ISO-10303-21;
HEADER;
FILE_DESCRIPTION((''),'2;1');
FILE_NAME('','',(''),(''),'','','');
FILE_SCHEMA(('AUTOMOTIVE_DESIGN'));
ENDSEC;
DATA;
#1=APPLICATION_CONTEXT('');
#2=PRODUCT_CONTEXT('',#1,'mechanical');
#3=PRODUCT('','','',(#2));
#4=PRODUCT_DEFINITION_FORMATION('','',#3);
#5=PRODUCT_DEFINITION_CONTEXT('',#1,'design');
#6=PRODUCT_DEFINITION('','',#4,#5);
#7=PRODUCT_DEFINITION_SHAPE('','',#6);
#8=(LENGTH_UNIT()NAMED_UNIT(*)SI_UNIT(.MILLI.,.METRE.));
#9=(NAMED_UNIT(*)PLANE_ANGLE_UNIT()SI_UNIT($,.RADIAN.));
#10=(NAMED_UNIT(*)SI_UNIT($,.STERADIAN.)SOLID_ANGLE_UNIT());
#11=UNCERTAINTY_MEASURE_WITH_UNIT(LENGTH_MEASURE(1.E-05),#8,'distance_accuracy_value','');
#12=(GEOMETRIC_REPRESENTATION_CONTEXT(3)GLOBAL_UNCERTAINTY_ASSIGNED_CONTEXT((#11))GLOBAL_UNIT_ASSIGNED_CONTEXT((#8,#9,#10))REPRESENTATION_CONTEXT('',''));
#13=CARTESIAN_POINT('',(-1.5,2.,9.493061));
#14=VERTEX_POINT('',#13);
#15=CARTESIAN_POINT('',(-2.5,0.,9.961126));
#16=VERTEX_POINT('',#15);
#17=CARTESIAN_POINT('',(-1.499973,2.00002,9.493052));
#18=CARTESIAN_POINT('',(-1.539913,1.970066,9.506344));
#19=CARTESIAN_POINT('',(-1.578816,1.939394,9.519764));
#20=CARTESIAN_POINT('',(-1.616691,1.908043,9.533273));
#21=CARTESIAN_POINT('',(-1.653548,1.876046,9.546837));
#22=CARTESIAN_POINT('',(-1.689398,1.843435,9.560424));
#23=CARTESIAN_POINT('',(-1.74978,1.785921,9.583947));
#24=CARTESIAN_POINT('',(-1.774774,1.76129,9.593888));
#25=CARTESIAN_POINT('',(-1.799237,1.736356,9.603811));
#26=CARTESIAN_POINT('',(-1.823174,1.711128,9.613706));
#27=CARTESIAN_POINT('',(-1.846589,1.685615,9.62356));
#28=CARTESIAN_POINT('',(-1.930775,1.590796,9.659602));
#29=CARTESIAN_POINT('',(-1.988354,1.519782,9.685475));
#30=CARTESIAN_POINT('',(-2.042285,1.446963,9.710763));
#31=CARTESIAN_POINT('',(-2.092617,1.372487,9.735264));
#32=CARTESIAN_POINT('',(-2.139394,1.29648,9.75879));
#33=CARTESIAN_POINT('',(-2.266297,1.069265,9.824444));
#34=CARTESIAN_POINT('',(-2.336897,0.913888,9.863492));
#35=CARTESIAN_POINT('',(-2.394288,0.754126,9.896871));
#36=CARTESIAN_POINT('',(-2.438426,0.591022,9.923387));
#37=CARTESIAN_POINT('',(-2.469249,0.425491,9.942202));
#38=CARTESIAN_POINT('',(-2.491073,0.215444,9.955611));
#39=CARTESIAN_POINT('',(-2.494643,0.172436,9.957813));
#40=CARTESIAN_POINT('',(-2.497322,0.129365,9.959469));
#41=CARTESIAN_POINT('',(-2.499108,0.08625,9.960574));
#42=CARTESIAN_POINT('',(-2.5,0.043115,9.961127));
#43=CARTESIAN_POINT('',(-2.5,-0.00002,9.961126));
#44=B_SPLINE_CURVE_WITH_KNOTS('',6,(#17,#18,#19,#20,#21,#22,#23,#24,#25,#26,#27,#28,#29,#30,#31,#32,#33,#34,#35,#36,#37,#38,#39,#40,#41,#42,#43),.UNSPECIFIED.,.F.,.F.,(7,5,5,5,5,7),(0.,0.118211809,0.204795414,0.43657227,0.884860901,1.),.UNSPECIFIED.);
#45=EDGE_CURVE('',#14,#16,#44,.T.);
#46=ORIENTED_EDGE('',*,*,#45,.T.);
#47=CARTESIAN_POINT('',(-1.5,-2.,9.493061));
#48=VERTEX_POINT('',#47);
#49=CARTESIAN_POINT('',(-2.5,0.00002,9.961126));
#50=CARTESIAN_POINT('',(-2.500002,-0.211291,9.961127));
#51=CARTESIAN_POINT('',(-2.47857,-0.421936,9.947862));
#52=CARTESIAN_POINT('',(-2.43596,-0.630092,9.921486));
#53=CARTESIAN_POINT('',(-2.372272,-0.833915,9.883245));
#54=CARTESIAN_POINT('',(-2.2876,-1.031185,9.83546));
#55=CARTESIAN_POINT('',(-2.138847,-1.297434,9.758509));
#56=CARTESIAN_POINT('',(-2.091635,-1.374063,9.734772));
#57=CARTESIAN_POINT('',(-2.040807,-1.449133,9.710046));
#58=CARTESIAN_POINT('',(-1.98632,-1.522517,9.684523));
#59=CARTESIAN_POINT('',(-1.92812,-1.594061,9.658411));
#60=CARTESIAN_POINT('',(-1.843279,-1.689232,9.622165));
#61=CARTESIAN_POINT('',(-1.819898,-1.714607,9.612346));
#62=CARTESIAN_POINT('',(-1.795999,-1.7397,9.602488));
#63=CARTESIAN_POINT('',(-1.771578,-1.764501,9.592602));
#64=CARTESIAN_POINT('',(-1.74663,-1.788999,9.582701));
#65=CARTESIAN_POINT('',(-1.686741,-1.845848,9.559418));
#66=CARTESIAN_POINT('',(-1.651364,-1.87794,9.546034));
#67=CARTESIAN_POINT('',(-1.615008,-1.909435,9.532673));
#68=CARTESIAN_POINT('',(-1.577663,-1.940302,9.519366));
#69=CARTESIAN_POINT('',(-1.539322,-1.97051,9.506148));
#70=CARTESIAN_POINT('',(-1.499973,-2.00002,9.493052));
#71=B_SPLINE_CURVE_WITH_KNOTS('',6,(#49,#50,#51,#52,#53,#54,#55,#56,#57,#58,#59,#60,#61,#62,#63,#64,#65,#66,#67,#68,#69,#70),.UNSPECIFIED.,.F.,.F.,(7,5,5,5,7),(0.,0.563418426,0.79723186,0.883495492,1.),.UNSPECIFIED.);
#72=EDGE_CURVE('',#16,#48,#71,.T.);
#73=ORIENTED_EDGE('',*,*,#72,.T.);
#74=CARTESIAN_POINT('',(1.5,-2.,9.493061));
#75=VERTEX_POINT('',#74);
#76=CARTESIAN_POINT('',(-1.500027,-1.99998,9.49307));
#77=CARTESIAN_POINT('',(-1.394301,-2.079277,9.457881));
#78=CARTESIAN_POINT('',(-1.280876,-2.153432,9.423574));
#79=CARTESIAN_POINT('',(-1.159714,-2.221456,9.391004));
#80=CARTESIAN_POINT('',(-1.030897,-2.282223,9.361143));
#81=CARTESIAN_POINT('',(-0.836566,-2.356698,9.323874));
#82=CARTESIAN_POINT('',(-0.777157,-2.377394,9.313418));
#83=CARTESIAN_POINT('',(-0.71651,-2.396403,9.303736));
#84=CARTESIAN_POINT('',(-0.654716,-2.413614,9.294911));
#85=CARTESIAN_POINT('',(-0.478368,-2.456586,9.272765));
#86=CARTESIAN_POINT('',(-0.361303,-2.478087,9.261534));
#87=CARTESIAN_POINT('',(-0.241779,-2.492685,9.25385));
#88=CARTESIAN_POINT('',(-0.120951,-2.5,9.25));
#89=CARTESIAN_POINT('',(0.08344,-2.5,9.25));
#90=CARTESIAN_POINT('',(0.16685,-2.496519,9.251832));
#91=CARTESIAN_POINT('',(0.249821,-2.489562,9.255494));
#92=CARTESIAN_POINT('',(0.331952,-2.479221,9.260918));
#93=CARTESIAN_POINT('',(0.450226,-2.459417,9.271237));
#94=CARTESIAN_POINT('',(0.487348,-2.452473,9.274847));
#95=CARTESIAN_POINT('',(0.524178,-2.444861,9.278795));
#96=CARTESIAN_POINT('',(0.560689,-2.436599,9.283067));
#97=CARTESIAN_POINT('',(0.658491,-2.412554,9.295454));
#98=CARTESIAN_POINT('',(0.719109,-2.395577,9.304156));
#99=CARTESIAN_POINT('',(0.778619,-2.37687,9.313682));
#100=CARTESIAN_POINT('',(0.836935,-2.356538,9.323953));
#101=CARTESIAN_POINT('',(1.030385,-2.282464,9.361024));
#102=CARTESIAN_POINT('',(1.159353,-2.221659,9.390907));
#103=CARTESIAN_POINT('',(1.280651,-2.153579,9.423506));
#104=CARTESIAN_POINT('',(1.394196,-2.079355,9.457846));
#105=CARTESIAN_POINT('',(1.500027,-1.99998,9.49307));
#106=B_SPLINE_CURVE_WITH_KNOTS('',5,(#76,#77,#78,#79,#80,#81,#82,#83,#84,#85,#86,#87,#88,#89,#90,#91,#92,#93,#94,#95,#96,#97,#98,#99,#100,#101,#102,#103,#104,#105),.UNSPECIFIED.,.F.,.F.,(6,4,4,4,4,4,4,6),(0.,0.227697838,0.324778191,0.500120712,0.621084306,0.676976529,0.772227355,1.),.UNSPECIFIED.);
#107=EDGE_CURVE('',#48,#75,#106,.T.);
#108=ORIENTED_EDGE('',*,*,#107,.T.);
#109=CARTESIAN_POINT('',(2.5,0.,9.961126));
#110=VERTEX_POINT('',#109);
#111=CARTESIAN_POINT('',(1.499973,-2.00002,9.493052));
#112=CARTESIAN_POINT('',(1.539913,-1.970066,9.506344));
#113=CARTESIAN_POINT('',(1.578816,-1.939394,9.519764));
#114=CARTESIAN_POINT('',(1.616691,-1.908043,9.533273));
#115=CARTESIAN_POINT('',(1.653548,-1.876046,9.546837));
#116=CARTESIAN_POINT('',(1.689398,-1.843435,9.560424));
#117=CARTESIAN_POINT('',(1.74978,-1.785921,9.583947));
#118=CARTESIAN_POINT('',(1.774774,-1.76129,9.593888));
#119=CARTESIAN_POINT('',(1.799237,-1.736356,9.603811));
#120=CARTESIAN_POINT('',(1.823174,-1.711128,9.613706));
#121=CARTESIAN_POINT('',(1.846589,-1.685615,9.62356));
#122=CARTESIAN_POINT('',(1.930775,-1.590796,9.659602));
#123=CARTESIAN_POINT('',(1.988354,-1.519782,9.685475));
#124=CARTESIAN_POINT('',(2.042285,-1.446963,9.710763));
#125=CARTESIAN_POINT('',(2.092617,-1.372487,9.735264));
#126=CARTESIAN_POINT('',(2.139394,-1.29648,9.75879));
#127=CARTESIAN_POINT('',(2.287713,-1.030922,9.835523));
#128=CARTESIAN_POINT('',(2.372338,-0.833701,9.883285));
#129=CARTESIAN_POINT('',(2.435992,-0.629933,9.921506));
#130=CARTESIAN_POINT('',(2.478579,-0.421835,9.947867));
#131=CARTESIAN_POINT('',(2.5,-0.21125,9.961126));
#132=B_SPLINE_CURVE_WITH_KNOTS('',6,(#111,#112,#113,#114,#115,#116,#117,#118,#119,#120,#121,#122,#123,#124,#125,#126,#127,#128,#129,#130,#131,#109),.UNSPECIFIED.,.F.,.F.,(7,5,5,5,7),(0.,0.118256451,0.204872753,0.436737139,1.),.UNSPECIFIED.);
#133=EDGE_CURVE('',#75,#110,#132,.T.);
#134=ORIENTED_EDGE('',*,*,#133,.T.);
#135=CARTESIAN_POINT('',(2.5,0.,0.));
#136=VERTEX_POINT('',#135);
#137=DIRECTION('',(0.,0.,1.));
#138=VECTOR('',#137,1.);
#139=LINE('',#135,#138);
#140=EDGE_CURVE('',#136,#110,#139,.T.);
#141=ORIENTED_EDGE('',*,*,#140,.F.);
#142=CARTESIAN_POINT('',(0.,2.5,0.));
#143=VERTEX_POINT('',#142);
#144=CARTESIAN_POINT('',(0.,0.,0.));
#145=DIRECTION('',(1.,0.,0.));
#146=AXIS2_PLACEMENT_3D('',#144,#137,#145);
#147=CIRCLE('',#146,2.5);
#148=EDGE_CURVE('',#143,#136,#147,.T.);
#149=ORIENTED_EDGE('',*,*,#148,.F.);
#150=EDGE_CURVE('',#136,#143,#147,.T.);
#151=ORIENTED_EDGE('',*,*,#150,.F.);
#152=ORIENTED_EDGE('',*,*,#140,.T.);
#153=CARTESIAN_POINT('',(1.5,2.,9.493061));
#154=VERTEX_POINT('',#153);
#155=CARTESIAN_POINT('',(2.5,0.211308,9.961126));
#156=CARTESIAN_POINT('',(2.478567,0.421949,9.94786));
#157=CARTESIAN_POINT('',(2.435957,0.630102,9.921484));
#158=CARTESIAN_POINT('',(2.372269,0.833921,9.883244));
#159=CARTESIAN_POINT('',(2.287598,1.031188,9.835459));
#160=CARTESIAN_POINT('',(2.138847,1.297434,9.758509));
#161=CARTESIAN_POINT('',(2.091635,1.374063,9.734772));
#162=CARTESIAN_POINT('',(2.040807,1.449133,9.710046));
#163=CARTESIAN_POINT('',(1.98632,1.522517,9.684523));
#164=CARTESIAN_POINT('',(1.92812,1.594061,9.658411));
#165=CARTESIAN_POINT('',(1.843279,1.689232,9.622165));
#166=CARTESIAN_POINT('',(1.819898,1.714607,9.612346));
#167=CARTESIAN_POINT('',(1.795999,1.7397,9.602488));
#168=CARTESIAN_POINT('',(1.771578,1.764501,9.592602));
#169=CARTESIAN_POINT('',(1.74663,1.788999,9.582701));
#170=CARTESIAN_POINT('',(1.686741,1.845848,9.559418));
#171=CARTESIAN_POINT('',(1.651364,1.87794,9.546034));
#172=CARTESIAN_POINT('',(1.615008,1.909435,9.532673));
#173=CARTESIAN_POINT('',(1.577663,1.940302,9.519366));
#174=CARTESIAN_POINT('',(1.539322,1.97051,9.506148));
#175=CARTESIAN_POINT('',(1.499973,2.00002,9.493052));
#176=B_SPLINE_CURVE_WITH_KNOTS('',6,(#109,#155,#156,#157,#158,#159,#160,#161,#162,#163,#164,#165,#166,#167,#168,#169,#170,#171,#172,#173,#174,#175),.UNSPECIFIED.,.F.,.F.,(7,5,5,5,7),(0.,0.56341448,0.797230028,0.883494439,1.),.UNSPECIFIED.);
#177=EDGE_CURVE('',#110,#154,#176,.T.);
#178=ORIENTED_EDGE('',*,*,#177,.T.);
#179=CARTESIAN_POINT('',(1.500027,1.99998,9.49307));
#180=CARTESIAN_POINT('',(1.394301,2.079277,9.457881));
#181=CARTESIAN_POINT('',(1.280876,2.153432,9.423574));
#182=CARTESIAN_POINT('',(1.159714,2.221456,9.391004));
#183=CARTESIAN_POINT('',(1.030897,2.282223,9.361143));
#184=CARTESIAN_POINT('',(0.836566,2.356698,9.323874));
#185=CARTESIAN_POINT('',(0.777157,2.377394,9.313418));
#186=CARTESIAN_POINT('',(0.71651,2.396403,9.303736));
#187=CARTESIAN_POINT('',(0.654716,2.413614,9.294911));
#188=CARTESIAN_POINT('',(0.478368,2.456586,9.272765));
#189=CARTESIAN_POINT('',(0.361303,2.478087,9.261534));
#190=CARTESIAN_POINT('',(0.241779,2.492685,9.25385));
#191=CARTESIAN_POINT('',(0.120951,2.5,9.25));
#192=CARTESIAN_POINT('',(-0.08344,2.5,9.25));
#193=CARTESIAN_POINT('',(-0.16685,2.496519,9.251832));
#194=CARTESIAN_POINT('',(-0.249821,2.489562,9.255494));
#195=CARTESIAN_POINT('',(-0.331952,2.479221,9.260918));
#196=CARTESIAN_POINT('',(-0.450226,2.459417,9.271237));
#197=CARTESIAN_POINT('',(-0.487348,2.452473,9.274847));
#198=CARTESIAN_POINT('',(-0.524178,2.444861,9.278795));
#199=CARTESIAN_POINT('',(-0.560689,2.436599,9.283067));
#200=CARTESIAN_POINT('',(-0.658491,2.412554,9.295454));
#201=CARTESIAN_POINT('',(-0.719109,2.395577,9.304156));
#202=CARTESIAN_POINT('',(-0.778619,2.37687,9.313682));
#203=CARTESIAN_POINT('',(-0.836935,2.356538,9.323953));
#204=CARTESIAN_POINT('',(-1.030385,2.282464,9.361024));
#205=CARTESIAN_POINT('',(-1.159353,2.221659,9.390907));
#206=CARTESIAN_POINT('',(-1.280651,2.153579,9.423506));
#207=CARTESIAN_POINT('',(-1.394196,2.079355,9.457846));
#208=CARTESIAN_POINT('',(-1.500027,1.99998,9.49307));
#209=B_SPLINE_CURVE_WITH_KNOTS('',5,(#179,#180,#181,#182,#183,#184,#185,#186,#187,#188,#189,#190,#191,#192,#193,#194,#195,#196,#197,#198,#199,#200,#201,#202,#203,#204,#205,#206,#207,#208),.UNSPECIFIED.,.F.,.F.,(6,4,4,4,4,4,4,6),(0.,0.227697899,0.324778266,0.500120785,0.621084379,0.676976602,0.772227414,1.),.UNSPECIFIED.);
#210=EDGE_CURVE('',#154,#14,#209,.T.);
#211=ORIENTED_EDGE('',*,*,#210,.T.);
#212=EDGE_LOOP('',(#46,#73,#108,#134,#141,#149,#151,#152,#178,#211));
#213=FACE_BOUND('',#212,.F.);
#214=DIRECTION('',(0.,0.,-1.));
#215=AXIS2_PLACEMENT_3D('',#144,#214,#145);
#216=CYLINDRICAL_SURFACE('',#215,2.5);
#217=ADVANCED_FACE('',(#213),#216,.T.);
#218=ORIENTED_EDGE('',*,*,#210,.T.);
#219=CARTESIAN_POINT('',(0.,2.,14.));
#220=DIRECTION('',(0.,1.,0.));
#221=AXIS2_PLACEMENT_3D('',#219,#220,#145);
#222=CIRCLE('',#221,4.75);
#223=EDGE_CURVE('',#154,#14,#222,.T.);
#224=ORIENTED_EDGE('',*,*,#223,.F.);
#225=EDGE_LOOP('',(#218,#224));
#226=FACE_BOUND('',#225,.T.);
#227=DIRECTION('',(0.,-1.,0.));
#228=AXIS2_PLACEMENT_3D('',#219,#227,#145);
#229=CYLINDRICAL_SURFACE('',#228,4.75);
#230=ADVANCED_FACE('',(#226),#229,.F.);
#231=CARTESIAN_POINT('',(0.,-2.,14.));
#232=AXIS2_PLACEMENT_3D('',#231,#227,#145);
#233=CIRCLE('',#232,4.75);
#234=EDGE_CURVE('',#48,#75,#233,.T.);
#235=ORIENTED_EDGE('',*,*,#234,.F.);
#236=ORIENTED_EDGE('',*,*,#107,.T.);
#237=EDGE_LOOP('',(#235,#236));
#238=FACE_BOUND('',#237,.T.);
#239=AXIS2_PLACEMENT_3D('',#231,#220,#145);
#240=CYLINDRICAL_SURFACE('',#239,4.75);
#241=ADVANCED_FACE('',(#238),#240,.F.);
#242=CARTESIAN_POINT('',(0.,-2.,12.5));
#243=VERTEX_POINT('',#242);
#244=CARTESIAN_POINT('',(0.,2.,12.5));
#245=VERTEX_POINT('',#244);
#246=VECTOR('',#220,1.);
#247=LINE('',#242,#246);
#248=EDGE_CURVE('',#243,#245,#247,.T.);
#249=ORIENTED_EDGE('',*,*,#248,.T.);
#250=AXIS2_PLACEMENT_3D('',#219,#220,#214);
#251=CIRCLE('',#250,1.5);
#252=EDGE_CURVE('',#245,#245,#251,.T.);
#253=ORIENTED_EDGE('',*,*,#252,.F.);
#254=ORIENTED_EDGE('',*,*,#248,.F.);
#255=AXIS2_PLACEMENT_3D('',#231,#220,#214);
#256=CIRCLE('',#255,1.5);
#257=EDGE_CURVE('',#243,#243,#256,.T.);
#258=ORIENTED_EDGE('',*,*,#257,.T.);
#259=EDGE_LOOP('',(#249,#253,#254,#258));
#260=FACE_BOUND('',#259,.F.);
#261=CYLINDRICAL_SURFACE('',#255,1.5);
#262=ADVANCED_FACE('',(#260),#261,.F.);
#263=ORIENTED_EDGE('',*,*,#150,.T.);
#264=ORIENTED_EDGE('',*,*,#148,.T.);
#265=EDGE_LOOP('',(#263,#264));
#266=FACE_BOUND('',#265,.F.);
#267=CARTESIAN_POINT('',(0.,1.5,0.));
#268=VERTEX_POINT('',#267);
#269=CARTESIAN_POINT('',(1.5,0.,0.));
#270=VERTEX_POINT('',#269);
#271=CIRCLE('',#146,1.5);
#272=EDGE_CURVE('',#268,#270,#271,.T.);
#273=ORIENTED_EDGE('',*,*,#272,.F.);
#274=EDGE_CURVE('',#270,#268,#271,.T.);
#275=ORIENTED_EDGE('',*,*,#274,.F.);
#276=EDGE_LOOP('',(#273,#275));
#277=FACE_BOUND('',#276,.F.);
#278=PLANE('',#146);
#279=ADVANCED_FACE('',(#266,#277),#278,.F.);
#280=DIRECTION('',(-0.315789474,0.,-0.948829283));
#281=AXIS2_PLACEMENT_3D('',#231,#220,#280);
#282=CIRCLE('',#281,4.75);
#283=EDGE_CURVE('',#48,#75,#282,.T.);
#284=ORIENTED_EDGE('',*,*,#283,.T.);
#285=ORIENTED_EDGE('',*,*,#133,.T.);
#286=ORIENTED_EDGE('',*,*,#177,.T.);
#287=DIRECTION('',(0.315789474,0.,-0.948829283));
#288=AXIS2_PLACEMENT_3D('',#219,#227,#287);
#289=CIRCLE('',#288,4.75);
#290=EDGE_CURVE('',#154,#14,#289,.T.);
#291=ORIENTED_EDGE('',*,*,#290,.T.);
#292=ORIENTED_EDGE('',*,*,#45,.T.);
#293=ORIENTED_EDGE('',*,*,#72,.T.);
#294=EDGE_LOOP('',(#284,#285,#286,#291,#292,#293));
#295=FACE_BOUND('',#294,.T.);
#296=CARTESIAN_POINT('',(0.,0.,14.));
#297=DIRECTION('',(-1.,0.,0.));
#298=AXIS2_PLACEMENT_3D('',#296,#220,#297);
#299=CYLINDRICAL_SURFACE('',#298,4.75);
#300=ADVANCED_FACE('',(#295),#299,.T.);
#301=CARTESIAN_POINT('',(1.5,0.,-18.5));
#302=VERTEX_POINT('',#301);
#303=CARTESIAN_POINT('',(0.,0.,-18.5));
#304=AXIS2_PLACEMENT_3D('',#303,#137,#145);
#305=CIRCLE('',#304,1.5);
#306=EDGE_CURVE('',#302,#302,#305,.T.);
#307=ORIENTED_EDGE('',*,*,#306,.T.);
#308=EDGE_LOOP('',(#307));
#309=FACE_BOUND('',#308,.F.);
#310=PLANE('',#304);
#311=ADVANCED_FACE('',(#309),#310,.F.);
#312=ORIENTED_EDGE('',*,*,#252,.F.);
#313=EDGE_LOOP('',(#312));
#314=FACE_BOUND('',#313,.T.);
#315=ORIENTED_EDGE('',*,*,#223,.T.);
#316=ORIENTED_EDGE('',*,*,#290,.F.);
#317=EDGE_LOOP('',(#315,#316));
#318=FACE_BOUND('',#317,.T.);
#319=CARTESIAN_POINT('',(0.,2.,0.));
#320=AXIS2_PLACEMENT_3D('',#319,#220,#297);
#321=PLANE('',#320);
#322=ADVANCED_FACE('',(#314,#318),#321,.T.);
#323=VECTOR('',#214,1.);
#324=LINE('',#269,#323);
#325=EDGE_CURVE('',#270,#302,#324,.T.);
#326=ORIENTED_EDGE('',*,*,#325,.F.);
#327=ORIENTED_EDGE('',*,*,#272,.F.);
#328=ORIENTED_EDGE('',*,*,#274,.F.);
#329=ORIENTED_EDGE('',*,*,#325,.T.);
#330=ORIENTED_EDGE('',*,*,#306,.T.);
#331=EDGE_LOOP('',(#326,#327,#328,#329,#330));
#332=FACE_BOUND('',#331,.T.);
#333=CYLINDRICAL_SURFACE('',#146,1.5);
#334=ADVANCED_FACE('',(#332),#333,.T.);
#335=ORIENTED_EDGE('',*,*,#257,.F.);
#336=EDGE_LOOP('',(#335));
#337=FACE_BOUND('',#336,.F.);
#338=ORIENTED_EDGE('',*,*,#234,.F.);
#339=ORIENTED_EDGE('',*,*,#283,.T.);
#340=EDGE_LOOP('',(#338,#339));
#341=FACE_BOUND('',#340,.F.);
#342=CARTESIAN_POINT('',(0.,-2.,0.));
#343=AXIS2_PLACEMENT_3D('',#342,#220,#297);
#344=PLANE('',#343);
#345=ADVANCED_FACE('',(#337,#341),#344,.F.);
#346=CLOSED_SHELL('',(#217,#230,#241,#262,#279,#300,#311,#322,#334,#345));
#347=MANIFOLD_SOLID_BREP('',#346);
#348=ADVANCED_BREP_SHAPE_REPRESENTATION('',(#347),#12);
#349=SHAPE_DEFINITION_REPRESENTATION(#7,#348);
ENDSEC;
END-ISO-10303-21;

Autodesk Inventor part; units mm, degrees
ref_plane "YZ Plane" through (0, 0, 0) normal (1, 0, 0) x (0, 1, 0)
ref_plane "XZ Plane" through (0, 0, 0) normal (0, 1, 0) x (-1, 0, 0)
sketch "スケッチ1" plane through (0, 0, 0) normal (0, 0, 1) x (1, 0, 0)
  circle A0 centre (0, 0) radius 1.5
  circle A1 centre (0, 0) radius 2.5
  line L0 (0, 0) -> (0, 2.5)
  dimension "d1" = 5
  dimension "d0" = 3
extrude "押し出し1" add sketch "スケッチ1" along normal blind 14 contours A0 | A1
extrude "押し出し2" add sketch "スケッチ1" against normal blind 18.5 contours A0
ref_plane "作業平面1" through (0, 0, 0) normal (0, 1, 0) x (-1, 0, 0)
sketch "スケッチ2" plane through (0, 0, 0) normal (0, 1, 0) x (-1, 0, 0)
  line L0 (2.5, 14) -> (-2.5, 14) projected
  circle A0 centre (0, 14) radius 4.75
  point P0 (0, 0)
  dimension "d6" = 9.5
extrude "押し出し3" add sketch "スケッチ2" along normal mid plane 4
sketch "スケッチ3" plane through (0, 2, 0) normal (0, 1, 0) x (1, 0, 0)
  line L0 (-1.5, -14) -> (1.5, -14) projected
  circle A0 centre (0, -14) radius 4.75
  point P0 (0, 0)
  dimension "d9" = 9.5
extrude "押し出し4" cut sketch "スケッチ3" along normal blind 4
sketch "スケッチ4" plane through (0, -2, 0) normal (0, -1, 0) x (1, 0, 0)
  line L0 (1.5, 14) -> (-1.5, 14) projected
  circle A0 centre (0, 14) radius 4.75
  point P0 (0, 0)
  dimension "d12" = 9.5
extrude "押し出し5" cut sketch "スケッチ4" along normal blind 4
hole "穴1" at (0, -2, 14) direction (0, 1, 0) diameter 3 end through all
sketch "スケッチ5" plane through (0, 0, 0) normal (0, 0, -1) x (-1, 0, 0)
  circle A0 centre (0, 0) radius 2.5 projected
  circle A1 centre (0, 0) radius 1.5 projected
properties part number "ダンパー下パーツ"
